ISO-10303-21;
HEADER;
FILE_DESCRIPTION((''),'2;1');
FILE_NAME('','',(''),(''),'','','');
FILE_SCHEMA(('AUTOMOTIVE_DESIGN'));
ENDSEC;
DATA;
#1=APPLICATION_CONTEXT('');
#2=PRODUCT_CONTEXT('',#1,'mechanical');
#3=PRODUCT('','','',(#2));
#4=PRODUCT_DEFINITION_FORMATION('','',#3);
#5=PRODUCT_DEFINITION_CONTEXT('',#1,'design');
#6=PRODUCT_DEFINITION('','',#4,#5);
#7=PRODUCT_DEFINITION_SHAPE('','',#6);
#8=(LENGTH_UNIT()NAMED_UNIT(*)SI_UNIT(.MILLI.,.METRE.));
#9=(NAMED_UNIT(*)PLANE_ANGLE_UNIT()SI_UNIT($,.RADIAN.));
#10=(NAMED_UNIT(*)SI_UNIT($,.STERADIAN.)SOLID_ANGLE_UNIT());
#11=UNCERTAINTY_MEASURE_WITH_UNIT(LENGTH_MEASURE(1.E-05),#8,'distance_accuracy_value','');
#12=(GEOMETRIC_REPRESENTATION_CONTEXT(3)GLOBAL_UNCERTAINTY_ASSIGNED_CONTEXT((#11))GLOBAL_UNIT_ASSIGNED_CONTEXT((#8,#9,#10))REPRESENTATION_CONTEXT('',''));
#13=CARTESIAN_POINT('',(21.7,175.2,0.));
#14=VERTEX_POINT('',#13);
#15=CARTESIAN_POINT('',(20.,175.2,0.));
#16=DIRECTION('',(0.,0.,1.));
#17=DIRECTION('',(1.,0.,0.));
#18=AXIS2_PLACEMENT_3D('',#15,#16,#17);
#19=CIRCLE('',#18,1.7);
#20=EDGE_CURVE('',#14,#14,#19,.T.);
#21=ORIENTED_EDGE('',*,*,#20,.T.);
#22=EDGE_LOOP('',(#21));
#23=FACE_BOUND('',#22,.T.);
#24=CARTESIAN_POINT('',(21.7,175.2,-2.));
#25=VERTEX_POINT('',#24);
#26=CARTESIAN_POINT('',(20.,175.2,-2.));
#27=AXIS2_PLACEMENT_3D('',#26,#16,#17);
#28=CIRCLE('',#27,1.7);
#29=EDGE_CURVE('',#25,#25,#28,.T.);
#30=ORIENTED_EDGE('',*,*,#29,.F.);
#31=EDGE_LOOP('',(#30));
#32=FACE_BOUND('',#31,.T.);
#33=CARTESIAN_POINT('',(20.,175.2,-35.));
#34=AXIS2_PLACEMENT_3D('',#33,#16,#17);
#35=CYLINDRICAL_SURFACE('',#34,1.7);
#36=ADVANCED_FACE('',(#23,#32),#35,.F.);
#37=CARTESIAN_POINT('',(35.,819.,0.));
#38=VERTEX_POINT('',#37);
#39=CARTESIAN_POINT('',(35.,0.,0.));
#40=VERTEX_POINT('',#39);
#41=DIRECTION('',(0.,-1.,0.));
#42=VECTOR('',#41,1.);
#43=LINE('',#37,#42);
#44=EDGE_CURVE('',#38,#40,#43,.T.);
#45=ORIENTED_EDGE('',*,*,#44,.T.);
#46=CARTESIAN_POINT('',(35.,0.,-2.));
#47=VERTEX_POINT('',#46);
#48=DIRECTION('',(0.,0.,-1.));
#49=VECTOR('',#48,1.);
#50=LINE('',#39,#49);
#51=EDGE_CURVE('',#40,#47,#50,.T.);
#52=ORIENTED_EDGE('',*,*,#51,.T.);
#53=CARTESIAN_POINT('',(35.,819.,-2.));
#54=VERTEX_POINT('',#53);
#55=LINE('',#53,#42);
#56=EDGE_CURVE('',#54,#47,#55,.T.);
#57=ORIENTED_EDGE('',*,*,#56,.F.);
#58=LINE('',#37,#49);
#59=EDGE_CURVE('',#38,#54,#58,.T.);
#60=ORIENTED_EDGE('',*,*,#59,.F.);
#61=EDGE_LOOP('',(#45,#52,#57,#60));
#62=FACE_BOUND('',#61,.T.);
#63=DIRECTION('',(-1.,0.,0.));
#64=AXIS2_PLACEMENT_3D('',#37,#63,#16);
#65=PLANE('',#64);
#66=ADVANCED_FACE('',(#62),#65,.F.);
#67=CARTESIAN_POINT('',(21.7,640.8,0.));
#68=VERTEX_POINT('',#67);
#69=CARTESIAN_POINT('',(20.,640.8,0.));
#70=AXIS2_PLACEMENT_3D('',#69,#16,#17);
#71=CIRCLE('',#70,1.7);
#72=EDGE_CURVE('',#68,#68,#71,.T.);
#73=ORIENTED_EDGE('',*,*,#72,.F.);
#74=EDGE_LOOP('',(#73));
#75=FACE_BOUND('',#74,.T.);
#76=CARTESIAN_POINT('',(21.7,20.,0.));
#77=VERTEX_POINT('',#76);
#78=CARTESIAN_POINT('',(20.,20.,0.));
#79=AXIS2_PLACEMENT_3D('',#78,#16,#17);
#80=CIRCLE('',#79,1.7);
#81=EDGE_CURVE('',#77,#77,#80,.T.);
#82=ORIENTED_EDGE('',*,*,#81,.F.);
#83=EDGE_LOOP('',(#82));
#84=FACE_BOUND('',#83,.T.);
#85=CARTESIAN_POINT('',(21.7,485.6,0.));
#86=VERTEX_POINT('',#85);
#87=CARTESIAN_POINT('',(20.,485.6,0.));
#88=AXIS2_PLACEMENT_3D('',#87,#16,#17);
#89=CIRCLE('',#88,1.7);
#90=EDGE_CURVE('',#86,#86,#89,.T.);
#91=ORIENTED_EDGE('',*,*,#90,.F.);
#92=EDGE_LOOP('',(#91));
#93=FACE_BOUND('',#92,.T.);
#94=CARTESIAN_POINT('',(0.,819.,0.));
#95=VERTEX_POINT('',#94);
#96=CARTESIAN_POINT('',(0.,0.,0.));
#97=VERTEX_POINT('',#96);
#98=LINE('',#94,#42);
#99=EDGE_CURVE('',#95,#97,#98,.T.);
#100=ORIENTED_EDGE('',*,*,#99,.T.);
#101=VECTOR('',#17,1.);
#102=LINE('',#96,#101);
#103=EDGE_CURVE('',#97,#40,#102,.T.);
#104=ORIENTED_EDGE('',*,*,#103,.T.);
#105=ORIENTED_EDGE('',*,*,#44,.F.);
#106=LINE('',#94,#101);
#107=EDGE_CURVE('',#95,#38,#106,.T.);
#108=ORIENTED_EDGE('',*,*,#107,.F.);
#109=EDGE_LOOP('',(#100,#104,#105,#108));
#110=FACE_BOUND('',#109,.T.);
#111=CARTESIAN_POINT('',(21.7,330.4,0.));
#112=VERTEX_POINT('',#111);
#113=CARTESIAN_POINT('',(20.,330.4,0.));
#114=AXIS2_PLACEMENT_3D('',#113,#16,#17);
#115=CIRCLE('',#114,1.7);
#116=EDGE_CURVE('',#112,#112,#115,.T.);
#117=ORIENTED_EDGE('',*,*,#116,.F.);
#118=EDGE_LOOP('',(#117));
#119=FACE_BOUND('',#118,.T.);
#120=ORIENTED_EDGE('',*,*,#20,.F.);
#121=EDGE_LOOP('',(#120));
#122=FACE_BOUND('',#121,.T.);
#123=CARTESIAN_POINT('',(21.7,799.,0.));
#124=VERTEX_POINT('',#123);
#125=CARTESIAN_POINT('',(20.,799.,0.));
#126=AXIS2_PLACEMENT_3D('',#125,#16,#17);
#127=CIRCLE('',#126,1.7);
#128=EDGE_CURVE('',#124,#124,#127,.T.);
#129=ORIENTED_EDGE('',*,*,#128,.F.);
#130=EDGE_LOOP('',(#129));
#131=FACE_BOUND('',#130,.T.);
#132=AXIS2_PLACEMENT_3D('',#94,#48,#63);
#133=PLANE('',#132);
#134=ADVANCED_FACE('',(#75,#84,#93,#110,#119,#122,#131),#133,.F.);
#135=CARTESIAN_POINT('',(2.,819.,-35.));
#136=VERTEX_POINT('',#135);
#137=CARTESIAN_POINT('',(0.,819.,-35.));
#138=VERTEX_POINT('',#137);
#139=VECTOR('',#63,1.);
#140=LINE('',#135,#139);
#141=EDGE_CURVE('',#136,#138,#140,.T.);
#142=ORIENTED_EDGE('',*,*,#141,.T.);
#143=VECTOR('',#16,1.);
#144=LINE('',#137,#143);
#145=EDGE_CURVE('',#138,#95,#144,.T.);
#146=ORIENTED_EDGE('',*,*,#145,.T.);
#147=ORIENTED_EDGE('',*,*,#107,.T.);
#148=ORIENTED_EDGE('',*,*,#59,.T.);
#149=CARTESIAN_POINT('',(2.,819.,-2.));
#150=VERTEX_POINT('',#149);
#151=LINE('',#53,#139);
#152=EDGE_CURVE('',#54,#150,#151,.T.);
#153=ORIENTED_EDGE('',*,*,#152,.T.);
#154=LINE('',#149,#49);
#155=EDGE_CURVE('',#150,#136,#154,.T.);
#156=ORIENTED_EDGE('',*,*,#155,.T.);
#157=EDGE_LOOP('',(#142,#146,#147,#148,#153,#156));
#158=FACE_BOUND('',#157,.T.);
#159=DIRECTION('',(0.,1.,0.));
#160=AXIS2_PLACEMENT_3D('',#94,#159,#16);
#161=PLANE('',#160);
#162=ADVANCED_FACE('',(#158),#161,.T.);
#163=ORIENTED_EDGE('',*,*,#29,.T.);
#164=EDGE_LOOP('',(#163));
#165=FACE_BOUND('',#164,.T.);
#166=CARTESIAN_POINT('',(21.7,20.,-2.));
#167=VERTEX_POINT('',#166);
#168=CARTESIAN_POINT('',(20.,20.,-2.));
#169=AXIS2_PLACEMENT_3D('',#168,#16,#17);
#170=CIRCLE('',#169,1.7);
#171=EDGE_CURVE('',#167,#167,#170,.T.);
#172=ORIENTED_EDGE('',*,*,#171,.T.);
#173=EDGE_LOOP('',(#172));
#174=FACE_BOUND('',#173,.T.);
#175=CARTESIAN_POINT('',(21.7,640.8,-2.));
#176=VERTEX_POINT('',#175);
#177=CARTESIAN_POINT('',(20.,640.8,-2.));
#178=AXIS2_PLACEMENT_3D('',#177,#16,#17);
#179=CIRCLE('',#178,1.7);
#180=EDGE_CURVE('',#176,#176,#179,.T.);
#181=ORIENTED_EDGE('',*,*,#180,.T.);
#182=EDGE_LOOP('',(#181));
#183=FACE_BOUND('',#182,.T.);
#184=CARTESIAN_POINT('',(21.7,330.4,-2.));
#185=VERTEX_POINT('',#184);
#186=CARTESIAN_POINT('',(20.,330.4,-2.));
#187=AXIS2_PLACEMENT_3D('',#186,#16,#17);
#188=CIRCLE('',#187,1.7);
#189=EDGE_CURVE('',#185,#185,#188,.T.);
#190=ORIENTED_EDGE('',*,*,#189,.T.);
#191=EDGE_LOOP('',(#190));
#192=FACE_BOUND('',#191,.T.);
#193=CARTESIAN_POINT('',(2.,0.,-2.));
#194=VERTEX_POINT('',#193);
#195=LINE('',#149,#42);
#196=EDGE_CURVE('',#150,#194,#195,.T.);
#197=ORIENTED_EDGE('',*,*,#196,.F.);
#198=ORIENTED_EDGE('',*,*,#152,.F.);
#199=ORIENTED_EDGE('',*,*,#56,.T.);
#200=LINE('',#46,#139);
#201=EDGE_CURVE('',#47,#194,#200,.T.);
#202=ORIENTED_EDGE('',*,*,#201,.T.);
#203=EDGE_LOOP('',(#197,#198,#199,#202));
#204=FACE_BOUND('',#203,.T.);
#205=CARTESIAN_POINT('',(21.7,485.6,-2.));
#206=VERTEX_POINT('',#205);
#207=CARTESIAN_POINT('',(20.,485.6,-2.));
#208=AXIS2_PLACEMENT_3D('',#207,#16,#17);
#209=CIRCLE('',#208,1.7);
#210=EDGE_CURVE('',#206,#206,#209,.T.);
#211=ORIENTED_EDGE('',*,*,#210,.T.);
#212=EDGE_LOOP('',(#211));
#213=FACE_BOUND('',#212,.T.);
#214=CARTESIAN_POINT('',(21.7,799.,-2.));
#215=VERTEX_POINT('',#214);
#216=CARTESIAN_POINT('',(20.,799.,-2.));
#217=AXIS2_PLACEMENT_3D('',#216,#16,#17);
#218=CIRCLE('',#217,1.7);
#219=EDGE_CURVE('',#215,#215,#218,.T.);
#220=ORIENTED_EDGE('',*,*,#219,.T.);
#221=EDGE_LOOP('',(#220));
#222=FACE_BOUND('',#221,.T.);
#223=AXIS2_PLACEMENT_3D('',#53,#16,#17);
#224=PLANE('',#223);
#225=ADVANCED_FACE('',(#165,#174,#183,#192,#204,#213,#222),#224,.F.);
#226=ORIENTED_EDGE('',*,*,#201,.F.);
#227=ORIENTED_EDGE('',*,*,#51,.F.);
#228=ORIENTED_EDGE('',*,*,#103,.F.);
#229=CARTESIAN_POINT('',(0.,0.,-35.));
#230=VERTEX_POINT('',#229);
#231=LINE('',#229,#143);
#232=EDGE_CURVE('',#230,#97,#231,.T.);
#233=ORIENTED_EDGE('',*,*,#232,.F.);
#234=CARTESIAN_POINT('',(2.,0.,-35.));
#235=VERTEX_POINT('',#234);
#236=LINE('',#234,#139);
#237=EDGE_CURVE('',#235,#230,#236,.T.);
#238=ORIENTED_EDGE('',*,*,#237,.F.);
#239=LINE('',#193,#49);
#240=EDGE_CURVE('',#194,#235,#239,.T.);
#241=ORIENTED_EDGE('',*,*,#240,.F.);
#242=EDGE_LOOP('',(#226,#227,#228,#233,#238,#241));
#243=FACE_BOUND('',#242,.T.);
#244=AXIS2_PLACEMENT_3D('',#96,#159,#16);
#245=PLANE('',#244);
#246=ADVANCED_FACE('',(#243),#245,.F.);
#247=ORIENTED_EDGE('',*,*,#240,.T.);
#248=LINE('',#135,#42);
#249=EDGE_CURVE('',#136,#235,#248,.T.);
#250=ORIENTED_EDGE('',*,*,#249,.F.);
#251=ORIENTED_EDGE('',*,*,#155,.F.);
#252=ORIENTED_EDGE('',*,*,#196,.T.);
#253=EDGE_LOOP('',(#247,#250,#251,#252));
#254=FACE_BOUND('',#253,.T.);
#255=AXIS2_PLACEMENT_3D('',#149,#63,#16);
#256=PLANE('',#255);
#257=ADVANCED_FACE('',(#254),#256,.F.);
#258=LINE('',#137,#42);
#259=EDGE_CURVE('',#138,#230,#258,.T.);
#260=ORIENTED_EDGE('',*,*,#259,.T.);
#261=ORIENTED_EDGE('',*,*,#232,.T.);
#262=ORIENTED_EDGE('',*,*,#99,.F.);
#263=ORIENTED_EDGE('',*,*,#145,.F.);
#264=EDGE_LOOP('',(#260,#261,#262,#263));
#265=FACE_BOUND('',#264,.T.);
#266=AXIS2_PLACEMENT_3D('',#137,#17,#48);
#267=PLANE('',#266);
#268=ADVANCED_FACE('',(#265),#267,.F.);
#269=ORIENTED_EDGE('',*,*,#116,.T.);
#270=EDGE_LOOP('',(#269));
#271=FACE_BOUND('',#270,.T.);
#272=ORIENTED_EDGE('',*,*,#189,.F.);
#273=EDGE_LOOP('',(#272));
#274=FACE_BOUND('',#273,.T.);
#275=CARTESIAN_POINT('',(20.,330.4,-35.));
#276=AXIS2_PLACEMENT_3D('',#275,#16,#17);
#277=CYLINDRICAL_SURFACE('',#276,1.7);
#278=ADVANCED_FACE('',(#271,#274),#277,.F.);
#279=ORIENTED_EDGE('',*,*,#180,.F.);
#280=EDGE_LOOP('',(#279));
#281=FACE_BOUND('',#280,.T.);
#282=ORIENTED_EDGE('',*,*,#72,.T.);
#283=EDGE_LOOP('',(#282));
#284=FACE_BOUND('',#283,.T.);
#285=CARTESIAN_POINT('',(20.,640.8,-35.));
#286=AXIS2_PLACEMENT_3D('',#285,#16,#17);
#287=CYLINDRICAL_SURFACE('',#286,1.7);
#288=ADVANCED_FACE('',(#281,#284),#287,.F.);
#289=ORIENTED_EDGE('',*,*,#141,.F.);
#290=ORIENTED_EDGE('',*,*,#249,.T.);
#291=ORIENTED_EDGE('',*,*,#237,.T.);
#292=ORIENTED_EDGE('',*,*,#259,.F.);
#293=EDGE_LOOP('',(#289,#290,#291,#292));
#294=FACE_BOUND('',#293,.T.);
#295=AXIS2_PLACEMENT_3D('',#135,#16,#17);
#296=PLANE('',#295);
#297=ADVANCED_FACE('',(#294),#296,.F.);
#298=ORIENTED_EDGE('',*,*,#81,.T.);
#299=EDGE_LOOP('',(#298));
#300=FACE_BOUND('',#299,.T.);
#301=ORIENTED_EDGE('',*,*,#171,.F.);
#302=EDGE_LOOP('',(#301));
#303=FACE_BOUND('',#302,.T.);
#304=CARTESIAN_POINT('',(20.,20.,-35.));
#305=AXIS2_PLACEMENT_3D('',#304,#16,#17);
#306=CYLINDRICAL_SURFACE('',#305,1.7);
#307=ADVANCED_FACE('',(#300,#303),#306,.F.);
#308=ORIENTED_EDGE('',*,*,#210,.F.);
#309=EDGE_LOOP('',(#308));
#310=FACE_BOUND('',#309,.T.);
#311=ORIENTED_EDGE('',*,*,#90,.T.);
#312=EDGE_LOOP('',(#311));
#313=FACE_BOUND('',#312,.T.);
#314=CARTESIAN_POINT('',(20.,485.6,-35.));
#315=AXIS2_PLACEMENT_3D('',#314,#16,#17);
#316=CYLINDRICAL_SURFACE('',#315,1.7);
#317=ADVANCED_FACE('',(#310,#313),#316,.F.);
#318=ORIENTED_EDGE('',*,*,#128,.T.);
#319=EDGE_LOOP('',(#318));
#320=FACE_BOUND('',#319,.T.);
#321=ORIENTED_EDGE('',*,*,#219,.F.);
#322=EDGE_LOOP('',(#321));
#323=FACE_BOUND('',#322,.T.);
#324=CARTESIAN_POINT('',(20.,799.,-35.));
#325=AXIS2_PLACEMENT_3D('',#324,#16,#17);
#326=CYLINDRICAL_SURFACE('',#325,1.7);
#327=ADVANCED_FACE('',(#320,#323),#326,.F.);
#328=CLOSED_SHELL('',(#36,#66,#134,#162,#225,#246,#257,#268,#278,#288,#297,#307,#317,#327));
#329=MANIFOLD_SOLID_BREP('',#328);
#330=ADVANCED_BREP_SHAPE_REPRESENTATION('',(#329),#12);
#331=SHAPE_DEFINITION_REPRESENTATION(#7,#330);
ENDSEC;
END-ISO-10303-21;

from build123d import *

# Parameters (mm, degrees)
ESTRUSIONE_ESTRUSIONE1_DEPTH = 819
SCHIZZO3_R                   = 1.7
TAGLIO_ESTRUSIONE1_DEPTH     = 821.494363174


with BuildPart() as part:
    # Schizzo2 → Estrusione-Estrusione1 (new body)
    with BuildSketch(Plane(origin=(0, 0, 0), x_dir=(1, 0, 0), z_dir=(0, 1, 0))):
        Polygon((0, 0), (35, 0), (35, 2), (2, 2), (2, 35), (0, 35), align=None)
    extrude(amount=ESTRUSIONE_ESTRUSIONE1_DEPTH)

    # Schizzo3 → Taglio-Estrusione1 (cut, through all)
    with BuildSketch(Plane.XY):
        with Locations((20, 20)):
            Circle(SCHIZZO3_R)
        with Locations((20, 330.4)):
            Circle(SCHIZZO3_R)
        with Locations((20, 485.6)):
            Circle(SCHIZZO3_R)
        with Locations((20, 175.2)):
            Circle(SCHIZZO3_R)
        with Locations((20, 640.8)):
            Circle(SCHIZZO3_R)
        with Locations((20, 799)):
            Circle(SCHIZZO3_R)
    extrude(amount=-TAGLIO_ESTRUSIONE1_DEPTH, mode=Mode.SUBTRACT)


solid = part.part
